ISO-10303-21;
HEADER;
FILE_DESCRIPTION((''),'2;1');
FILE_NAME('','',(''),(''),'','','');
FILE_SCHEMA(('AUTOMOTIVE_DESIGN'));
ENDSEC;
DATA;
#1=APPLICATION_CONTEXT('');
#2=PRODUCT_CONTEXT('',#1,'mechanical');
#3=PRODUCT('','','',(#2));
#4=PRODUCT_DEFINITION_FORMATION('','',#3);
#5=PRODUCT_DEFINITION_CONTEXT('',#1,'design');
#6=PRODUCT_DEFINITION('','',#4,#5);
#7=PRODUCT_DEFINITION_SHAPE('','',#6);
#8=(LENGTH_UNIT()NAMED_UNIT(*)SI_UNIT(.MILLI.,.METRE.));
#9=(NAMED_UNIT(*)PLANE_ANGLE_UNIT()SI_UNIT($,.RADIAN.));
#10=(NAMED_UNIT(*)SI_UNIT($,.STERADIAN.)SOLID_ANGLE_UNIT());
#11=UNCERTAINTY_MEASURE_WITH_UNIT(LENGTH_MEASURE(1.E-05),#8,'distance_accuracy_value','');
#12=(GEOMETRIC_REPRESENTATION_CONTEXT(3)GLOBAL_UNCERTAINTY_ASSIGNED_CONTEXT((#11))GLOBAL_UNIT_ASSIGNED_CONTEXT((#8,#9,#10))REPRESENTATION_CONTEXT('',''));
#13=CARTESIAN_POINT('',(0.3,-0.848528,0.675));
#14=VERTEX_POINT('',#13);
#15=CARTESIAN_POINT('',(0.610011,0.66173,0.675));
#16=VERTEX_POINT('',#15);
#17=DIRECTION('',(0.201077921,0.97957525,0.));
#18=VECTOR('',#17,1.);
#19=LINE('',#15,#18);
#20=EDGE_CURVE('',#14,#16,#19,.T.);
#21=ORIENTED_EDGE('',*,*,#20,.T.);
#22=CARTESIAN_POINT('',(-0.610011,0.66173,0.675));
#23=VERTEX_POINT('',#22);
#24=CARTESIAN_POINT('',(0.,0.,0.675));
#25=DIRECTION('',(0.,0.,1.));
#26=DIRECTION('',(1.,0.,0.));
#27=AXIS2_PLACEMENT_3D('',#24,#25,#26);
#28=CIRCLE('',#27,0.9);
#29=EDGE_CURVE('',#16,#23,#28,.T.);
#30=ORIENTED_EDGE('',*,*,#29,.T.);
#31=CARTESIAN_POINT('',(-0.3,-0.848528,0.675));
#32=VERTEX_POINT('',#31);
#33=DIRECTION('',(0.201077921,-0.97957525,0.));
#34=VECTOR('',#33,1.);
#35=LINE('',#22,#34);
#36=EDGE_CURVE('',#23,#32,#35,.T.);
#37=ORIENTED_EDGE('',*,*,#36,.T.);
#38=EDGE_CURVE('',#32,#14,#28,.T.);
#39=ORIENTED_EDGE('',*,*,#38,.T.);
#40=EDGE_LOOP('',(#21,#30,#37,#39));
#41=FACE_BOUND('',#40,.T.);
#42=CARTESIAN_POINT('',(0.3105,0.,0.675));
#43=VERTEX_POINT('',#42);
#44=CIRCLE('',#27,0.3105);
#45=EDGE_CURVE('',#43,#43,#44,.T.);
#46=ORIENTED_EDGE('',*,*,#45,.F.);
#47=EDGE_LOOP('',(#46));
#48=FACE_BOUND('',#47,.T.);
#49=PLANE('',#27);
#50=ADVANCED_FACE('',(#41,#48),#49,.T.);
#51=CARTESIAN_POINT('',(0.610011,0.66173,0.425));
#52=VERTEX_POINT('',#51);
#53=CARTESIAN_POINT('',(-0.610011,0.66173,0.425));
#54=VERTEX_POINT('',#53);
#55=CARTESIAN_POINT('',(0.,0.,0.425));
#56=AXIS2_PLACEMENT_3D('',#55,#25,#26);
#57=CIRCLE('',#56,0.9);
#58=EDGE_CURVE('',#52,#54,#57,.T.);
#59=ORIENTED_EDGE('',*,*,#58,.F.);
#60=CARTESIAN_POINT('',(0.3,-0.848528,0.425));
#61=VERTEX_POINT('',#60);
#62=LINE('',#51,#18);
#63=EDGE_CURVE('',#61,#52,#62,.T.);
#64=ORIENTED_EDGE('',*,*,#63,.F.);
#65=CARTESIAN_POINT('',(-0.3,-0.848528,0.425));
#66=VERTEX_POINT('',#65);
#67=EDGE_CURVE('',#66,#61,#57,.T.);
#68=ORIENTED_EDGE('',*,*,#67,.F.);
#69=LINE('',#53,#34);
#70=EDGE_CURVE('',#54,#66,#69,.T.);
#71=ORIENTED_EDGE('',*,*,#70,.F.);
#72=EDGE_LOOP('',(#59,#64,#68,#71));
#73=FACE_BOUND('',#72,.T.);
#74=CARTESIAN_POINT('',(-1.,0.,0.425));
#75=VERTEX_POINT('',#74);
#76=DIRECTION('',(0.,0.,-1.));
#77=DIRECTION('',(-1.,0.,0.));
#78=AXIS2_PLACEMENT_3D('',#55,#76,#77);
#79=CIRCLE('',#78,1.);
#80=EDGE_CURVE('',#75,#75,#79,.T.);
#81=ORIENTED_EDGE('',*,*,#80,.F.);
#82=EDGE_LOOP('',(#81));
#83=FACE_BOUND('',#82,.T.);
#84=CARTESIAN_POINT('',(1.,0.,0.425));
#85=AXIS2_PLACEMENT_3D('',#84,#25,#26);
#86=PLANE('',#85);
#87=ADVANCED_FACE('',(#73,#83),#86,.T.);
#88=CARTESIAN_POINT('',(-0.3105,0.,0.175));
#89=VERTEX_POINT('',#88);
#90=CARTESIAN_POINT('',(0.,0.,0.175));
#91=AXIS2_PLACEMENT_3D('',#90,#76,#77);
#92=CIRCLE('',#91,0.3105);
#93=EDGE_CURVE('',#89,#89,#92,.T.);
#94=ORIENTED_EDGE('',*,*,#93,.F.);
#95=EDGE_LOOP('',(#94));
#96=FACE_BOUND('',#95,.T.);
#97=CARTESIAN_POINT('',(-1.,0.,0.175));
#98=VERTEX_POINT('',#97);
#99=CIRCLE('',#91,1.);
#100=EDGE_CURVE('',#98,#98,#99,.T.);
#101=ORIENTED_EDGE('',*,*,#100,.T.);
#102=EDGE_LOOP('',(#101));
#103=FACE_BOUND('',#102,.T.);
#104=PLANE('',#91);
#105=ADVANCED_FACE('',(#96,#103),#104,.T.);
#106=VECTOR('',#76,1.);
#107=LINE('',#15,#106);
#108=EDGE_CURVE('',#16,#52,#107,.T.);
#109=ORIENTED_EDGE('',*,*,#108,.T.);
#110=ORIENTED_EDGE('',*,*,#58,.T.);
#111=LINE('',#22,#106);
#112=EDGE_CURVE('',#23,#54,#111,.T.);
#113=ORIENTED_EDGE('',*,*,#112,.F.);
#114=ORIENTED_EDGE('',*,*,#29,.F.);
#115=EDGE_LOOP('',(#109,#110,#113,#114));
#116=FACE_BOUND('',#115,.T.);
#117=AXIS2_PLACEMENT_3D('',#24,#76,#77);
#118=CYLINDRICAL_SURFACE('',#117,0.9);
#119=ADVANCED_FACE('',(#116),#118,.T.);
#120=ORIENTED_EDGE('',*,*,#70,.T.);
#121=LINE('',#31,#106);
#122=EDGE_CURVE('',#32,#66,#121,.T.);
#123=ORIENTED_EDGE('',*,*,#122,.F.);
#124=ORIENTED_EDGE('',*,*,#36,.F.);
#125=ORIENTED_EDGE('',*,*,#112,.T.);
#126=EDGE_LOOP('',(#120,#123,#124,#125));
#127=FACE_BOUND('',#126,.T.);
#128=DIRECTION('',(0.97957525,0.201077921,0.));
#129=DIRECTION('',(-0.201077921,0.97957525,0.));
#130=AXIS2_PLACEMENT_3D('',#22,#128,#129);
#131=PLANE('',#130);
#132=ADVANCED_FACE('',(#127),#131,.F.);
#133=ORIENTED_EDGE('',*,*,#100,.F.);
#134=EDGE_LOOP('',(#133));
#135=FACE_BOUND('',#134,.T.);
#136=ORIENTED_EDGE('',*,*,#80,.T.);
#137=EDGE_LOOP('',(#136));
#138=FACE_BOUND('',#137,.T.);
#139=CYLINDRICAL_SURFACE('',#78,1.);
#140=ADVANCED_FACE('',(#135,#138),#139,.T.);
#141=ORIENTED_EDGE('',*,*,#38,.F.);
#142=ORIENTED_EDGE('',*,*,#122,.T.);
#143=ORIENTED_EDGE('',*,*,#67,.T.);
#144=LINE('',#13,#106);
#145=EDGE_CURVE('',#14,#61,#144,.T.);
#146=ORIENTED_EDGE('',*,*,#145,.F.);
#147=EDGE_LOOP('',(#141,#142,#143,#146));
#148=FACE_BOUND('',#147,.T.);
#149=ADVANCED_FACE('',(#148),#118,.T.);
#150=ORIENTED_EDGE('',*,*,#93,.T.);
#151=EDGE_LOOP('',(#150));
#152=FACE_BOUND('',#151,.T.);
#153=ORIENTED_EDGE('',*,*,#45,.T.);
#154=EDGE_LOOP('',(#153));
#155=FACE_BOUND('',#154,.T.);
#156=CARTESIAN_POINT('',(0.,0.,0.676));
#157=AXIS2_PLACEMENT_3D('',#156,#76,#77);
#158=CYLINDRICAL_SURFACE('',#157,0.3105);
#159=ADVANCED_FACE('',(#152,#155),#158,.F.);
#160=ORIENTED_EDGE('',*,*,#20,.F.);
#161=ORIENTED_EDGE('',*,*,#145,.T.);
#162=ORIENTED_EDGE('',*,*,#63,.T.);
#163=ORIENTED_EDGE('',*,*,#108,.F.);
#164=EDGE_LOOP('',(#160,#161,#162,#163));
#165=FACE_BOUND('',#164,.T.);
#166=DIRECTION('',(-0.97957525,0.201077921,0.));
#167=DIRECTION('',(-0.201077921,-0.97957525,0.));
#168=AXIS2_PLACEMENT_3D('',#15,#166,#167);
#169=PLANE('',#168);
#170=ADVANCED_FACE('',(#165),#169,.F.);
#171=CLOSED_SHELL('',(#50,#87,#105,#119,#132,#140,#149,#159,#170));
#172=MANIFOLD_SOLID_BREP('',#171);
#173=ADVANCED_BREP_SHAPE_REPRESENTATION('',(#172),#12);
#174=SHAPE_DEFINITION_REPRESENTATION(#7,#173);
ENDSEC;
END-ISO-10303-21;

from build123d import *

# Parameters (mm, degrees)
SKETCH1_W           = 1
SKETCH1_H           = 0.25
BOSS_EXTRUDE1_DEPTH = 0.25
CUT_EXTRUDE1_REACH  = 2.675
SKETCH3_R           = 0.3105


with BuildPart() as part:
    # Sketch1 → Revolve1 (revolve)
    with BuildSketch(Plane.XZ):
        with Locations((0.5, 0.3)):
            Rectangle(SKETCH1_W, SKETCH1_H)
    revolve(axis=Axis((0, 0, 0.425), (0, 0, -1)))

    # Sketch2 → Boss-Extrude1 (add)
    with BuildSketch(Plane.XY.offset(0.425)):
        with BuildLine():
            Line((0.610011397, 0.661729625), (0.3, -0.848528137))
            ThreePointArc((0.3, -0.848528137), (0, -0.9), (-0.3, -0.848528137))
            Line((-0.3, -0.848528137), (-0.610011397, 0.661729625))
            ThreePointArc((-0.610011397, 0.661729625), (0, 0.9), (0.610011397, 0.661729625))
        make_face()
    extrude(amount=BOSS_EXTRUDE1_DEPTH)

    # Sketch3 → Cut-Extrude1 (cut, up to next)
    with BuildSketch(Plane.XY, mode=Mode.PRIVATE) as cut_extrude1_sk1:
        Circle(SKETCH3_R)
    cut_extrude1_tool1 = extrude(cut_extrude1_sk1.sketch, amount=CUT_EXTRUDE1_REACH, mode=Mode.PRIVATE) & part.part
    add(cut_extrude1_tool1.solids().sort_by_distance((0, 0, 0))[0], mode=Mode.SUBTRACT)


solid = part.part
